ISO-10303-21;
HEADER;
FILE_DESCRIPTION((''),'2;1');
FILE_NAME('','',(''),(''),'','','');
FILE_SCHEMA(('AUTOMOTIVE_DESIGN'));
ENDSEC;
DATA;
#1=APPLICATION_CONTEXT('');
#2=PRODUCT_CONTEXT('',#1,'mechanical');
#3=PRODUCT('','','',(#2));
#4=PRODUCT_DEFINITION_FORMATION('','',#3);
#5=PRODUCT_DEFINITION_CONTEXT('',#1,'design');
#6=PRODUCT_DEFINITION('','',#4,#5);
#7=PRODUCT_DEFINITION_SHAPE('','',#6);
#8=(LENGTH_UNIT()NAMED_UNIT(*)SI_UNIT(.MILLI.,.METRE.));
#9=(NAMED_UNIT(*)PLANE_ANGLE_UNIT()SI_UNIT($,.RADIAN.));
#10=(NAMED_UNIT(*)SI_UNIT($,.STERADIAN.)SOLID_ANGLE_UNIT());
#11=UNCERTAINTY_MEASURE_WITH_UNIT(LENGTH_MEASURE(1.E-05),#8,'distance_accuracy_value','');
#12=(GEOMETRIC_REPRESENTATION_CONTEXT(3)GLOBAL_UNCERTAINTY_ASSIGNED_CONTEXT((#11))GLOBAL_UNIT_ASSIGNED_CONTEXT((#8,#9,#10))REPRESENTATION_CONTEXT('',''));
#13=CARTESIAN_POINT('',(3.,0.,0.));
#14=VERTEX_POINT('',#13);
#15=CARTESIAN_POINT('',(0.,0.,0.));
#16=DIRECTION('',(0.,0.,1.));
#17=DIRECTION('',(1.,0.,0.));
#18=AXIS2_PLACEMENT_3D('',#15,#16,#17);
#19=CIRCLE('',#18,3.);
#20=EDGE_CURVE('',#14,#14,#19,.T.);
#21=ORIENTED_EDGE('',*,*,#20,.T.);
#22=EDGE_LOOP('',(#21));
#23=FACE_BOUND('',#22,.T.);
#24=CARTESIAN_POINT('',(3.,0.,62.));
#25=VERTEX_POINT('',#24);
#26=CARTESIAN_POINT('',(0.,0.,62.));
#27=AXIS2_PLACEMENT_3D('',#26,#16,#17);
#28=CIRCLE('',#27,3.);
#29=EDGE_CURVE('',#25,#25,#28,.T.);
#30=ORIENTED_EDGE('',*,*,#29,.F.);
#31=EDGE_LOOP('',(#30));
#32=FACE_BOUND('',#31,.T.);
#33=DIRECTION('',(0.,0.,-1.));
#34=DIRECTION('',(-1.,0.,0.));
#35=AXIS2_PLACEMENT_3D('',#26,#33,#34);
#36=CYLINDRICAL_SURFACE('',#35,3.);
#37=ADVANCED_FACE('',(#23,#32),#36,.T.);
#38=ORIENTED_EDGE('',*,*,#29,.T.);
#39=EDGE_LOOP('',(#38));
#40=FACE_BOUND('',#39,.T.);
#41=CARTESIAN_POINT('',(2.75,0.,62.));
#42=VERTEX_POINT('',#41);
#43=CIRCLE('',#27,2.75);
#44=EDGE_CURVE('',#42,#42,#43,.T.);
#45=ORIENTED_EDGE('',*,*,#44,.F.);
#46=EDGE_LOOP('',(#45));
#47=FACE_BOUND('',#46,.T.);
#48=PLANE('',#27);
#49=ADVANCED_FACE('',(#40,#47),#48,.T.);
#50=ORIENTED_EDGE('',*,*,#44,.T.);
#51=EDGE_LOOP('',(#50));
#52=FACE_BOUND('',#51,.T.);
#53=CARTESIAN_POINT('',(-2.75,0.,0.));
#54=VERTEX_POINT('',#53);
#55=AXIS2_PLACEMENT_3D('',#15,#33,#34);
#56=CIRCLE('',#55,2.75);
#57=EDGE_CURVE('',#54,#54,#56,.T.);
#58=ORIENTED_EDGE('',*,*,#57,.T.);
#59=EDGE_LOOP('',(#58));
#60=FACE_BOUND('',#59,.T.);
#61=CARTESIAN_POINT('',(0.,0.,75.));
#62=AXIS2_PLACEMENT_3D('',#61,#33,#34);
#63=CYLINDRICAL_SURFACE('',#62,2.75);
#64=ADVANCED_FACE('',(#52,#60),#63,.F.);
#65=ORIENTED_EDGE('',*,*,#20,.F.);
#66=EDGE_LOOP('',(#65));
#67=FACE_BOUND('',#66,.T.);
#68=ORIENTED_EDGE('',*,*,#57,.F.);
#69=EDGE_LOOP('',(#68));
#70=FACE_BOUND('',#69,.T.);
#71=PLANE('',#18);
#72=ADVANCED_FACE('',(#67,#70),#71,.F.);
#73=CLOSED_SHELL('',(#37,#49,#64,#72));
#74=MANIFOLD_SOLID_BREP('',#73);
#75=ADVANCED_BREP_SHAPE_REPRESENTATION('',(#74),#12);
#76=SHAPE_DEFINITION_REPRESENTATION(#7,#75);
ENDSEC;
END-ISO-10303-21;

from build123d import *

# Parameters (mm, degrees)
SKETCH_1_R          = 3
EXTRUDE_1_DEPTH     = 62
SKETCH_2_R          = 2.75
CUT_EXTRUDE_1_DEPTH = 75


with BuildPart() as part:
    # 草图1 → 凸台-拉伸1 (new body)
    with BuildSketch(Plane.XY):
        Circle(SKETCH_1_R)
    extrude(amount=EXTRUDE_1_DEPTH)

    # 草图2 → 切除-拉伸1 (cut)
    with BuildSketch(Plane(origin=(0, 0, 0), x_dir=(-1, 0, 0), z_dir=(0, 0, -1))):
        Circle(SKETCH_2_R)
    extrude(amount=-CUT_EXTRUDE_1_DEPTH, mode=Mode.SUBTRACT)


solid = part.part
